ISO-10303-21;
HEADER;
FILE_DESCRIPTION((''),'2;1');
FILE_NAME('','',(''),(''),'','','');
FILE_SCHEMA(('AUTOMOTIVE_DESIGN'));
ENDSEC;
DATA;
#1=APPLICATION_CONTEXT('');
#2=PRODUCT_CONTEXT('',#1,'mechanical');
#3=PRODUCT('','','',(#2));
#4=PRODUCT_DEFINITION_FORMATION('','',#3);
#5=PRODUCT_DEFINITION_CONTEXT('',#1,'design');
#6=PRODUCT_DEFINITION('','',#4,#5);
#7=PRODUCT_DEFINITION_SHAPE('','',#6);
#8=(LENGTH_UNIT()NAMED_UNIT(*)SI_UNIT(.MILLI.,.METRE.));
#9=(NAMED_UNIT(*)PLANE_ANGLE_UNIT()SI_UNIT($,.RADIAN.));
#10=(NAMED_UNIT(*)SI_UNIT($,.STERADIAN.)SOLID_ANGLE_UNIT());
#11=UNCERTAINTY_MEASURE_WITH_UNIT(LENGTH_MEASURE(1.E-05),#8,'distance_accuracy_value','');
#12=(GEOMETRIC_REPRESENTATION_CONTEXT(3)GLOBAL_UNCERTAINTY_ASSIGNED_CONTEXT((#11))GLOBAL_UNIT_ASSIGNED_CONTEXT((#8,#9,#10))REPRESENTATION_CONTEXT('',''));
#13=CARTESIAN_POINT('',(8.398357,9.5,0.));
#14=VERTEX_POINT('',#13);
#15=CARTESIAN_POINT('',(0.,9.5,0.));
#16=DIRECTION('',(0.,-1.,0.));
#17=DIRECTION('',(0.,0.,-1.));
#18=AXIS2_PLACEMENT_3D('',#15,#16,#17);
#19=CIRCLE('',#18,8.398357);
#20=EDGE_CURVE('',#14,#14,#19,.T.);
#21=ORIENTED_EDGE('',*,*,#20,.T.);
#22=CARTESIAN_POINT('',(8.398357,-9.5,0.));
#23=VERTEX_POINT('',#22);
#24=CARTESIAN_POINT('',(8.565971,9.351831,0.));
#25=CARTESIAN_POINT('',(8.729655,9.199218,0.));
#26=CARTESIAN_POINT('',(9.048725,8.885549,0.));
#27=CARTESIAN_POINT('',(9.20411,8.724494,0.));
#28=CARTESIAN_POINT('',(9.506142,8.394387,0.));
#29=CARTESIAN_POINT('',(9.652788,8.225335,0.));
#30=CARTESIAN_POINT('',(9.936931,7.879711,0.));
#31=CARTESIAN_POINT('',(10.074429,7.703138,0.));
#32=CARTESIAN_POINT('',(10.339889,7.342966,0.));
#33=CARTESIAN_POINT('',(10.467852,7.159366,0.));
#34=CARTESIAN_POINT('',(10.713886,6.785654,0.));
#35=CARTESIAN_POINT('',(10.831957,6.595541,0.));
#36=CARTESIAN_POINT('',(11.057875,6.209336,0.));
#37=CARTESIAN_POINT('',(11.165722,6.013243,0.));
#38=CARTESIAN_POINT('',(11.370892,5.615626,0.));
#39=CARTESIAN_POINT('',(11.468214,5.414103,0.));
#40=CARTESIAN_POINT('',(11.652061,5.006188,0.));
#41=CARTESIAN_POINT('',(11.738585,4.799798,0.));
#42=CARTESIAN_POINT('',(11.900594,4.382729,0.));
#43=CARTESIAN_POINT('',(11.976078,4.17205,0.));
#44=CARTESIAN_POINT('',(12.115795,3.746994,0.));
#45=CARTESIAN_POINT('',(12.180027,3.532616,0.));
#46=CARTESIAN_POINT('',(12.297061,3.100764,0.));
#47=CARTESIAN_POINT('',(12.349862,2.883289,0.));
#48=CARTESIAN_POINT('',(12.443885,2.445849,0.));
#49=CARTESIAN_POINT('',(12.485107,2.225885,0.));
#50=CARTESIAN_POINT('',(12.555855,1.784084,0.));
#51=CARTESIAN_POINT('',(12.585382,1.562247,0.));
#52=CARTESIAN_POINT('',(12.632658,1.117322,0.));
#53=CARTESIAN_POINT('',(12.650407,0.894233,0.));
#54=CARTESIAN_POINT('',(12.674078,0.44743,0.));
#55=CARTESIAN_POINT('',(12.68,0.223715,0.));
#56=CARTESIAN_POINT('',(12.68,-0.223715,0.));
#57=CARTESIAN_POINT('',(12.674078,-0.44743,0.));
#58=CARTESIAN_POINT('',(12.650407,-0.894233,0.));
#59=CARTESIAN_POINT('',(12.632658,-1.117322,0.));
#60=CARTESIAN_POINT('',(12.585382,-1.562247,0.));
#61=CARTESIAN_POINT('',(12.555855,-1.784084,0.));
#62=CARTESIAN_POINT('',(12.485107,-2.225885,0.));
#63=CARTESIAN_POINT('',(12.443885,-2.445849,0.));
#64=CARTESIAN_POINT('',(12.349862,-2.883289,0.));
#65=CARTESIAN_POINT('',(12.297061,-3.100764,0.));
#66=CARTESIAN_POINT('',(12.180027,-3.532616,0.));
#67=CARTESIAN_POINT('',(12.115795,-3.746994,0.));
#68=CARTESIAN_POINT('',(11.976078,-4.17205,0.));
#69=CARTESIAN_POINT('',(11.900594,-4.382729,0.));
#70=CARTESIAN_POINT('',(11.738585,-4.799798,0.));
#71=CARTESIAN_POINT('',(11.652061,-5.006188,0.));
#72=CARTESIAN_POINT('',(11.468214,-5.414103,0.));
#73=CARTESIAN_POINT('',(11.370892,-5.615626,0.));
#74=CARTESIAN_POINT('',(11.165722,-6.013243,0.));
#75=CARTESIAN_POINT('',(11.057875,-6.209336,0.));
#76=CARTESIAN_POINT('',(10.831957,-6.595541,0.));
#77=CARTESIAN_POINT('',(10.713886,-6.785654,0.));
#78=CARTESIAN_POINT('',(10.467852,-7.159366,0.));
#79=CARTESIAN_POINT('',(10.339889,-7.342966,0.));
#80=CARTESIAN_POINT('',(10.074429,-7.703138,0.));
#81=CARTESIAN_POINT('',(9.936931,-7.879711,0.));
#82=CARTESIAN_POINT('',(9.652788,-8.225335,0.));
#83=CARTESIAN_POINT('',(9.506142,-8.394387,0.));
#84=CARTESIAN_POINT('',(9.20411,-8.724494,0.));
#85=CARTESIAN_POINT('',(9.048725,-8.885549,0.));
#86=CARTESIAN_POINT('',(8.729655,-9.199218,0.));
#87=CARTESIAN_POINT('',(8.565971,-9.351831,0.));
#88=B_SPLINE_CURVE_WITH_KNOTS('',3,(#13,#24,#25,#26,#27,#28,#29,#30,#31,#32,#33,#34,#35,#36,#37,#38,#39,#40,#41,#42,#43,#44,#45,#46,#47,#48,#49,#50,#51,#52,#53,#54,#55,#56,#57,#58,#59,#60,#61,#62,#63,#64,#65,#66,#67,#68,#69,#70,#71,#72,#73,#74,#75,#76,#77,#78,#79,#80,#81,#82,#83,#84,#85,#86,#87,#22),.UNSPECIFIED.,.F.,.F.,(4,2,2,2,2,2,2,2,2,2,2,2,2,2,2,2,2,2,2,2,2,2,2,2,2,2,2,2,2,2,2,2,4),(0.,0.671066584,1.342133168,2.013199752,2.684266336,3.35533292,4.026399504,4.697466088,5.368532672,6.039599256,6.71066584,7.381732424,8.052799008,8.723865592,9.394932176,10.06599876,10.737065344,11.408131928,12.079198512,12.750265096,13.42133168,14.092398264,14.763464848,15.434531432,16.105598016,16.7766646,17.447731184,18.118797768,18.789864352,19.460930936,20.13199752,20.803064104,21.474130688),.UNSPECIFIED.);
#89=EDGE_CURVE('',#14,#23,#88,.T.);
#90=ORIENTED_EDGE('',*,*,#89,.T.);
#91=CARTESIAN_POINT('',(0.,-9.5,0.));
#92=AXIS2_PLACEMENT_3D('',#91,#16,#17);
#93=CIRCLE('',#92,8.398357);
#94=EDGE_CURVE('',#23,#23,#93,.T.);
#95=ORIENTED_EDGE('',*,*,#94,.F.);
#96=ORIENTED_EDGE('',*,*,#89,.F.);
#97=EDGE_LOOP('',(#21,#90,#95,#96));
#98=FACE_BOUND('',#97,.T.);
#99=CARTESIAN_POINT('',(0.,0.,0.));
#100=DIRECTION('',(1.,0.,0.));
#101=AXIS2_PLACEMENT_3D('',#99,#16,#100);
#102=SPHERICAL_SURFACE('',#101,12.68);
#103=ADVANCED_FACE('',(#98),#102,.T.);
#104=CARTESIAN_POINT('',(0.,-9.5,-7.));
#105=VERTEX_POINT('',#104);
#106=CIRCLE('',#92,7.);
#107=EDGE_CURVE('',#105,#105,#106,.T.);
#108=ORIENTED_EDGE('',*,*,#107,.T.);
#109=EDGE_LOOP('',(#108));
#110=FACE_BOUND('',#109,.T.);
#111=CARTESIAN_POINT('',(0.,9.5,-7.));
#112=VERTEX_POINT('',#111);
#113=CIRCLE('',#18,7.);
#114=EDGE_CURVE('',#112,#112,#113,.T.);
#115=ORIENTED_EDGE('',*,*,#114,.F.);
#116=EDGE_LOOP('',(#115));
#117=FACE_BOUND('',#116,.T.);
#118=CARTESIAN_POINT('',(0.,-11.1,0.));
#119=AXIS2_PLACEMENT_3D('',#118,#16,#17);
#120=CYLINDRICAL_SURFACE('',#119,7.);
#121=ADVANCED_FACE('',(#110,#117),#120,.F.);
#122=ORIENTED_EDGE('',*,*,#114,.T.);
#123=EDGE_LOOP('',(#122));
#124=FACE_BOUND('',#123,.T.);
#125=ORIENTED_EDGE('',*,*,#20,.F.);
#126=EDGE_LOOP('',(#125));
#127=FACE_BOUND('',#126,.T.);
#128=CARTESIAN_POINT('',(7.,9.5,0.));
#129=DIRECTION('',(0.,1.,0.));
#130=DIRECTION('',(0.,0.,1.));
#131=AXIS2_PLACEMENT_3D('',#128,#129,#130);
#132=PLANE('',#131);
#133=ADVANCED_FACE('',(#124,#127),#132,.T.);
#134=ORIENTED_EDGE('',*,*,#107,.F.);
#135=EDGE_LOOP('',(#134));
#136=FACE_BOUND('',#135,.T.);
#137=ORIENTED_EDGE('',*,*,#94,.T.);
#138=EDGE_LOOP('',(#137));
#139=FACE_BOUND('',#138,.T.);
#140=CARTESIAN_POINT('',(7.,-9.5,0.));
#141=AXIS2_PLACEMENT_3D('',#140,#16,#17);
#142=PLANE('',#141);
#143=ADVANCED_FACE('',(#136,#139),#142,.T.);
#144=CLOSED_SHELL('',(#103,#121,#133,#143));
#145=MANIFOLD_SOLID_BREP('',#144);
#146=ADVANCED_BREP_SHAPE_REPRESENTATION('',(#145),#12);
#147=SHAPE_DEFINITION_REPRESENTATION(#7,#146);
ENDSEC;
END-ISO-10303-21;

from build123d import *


with BuildPart() as part:
    # Szkic1 → Obrót1 (revolve)
    with BuildSketch(Plane.XY):
        with BuildLine():
            Line((7, -9.5), (7, 9.5))
            Line((7, 9.5), (8.398356982, 9.5))
            ThreePointArc((8.398356982, 9.5), (12.68, 0), (8.398356982, -9.5))
            Line((8.398356982, -9.5), (7, -9.5))
        make_face()
    revolve(axis=Axis((0, -11.1, 0), (0, 1, 0)))


solid = part.part
